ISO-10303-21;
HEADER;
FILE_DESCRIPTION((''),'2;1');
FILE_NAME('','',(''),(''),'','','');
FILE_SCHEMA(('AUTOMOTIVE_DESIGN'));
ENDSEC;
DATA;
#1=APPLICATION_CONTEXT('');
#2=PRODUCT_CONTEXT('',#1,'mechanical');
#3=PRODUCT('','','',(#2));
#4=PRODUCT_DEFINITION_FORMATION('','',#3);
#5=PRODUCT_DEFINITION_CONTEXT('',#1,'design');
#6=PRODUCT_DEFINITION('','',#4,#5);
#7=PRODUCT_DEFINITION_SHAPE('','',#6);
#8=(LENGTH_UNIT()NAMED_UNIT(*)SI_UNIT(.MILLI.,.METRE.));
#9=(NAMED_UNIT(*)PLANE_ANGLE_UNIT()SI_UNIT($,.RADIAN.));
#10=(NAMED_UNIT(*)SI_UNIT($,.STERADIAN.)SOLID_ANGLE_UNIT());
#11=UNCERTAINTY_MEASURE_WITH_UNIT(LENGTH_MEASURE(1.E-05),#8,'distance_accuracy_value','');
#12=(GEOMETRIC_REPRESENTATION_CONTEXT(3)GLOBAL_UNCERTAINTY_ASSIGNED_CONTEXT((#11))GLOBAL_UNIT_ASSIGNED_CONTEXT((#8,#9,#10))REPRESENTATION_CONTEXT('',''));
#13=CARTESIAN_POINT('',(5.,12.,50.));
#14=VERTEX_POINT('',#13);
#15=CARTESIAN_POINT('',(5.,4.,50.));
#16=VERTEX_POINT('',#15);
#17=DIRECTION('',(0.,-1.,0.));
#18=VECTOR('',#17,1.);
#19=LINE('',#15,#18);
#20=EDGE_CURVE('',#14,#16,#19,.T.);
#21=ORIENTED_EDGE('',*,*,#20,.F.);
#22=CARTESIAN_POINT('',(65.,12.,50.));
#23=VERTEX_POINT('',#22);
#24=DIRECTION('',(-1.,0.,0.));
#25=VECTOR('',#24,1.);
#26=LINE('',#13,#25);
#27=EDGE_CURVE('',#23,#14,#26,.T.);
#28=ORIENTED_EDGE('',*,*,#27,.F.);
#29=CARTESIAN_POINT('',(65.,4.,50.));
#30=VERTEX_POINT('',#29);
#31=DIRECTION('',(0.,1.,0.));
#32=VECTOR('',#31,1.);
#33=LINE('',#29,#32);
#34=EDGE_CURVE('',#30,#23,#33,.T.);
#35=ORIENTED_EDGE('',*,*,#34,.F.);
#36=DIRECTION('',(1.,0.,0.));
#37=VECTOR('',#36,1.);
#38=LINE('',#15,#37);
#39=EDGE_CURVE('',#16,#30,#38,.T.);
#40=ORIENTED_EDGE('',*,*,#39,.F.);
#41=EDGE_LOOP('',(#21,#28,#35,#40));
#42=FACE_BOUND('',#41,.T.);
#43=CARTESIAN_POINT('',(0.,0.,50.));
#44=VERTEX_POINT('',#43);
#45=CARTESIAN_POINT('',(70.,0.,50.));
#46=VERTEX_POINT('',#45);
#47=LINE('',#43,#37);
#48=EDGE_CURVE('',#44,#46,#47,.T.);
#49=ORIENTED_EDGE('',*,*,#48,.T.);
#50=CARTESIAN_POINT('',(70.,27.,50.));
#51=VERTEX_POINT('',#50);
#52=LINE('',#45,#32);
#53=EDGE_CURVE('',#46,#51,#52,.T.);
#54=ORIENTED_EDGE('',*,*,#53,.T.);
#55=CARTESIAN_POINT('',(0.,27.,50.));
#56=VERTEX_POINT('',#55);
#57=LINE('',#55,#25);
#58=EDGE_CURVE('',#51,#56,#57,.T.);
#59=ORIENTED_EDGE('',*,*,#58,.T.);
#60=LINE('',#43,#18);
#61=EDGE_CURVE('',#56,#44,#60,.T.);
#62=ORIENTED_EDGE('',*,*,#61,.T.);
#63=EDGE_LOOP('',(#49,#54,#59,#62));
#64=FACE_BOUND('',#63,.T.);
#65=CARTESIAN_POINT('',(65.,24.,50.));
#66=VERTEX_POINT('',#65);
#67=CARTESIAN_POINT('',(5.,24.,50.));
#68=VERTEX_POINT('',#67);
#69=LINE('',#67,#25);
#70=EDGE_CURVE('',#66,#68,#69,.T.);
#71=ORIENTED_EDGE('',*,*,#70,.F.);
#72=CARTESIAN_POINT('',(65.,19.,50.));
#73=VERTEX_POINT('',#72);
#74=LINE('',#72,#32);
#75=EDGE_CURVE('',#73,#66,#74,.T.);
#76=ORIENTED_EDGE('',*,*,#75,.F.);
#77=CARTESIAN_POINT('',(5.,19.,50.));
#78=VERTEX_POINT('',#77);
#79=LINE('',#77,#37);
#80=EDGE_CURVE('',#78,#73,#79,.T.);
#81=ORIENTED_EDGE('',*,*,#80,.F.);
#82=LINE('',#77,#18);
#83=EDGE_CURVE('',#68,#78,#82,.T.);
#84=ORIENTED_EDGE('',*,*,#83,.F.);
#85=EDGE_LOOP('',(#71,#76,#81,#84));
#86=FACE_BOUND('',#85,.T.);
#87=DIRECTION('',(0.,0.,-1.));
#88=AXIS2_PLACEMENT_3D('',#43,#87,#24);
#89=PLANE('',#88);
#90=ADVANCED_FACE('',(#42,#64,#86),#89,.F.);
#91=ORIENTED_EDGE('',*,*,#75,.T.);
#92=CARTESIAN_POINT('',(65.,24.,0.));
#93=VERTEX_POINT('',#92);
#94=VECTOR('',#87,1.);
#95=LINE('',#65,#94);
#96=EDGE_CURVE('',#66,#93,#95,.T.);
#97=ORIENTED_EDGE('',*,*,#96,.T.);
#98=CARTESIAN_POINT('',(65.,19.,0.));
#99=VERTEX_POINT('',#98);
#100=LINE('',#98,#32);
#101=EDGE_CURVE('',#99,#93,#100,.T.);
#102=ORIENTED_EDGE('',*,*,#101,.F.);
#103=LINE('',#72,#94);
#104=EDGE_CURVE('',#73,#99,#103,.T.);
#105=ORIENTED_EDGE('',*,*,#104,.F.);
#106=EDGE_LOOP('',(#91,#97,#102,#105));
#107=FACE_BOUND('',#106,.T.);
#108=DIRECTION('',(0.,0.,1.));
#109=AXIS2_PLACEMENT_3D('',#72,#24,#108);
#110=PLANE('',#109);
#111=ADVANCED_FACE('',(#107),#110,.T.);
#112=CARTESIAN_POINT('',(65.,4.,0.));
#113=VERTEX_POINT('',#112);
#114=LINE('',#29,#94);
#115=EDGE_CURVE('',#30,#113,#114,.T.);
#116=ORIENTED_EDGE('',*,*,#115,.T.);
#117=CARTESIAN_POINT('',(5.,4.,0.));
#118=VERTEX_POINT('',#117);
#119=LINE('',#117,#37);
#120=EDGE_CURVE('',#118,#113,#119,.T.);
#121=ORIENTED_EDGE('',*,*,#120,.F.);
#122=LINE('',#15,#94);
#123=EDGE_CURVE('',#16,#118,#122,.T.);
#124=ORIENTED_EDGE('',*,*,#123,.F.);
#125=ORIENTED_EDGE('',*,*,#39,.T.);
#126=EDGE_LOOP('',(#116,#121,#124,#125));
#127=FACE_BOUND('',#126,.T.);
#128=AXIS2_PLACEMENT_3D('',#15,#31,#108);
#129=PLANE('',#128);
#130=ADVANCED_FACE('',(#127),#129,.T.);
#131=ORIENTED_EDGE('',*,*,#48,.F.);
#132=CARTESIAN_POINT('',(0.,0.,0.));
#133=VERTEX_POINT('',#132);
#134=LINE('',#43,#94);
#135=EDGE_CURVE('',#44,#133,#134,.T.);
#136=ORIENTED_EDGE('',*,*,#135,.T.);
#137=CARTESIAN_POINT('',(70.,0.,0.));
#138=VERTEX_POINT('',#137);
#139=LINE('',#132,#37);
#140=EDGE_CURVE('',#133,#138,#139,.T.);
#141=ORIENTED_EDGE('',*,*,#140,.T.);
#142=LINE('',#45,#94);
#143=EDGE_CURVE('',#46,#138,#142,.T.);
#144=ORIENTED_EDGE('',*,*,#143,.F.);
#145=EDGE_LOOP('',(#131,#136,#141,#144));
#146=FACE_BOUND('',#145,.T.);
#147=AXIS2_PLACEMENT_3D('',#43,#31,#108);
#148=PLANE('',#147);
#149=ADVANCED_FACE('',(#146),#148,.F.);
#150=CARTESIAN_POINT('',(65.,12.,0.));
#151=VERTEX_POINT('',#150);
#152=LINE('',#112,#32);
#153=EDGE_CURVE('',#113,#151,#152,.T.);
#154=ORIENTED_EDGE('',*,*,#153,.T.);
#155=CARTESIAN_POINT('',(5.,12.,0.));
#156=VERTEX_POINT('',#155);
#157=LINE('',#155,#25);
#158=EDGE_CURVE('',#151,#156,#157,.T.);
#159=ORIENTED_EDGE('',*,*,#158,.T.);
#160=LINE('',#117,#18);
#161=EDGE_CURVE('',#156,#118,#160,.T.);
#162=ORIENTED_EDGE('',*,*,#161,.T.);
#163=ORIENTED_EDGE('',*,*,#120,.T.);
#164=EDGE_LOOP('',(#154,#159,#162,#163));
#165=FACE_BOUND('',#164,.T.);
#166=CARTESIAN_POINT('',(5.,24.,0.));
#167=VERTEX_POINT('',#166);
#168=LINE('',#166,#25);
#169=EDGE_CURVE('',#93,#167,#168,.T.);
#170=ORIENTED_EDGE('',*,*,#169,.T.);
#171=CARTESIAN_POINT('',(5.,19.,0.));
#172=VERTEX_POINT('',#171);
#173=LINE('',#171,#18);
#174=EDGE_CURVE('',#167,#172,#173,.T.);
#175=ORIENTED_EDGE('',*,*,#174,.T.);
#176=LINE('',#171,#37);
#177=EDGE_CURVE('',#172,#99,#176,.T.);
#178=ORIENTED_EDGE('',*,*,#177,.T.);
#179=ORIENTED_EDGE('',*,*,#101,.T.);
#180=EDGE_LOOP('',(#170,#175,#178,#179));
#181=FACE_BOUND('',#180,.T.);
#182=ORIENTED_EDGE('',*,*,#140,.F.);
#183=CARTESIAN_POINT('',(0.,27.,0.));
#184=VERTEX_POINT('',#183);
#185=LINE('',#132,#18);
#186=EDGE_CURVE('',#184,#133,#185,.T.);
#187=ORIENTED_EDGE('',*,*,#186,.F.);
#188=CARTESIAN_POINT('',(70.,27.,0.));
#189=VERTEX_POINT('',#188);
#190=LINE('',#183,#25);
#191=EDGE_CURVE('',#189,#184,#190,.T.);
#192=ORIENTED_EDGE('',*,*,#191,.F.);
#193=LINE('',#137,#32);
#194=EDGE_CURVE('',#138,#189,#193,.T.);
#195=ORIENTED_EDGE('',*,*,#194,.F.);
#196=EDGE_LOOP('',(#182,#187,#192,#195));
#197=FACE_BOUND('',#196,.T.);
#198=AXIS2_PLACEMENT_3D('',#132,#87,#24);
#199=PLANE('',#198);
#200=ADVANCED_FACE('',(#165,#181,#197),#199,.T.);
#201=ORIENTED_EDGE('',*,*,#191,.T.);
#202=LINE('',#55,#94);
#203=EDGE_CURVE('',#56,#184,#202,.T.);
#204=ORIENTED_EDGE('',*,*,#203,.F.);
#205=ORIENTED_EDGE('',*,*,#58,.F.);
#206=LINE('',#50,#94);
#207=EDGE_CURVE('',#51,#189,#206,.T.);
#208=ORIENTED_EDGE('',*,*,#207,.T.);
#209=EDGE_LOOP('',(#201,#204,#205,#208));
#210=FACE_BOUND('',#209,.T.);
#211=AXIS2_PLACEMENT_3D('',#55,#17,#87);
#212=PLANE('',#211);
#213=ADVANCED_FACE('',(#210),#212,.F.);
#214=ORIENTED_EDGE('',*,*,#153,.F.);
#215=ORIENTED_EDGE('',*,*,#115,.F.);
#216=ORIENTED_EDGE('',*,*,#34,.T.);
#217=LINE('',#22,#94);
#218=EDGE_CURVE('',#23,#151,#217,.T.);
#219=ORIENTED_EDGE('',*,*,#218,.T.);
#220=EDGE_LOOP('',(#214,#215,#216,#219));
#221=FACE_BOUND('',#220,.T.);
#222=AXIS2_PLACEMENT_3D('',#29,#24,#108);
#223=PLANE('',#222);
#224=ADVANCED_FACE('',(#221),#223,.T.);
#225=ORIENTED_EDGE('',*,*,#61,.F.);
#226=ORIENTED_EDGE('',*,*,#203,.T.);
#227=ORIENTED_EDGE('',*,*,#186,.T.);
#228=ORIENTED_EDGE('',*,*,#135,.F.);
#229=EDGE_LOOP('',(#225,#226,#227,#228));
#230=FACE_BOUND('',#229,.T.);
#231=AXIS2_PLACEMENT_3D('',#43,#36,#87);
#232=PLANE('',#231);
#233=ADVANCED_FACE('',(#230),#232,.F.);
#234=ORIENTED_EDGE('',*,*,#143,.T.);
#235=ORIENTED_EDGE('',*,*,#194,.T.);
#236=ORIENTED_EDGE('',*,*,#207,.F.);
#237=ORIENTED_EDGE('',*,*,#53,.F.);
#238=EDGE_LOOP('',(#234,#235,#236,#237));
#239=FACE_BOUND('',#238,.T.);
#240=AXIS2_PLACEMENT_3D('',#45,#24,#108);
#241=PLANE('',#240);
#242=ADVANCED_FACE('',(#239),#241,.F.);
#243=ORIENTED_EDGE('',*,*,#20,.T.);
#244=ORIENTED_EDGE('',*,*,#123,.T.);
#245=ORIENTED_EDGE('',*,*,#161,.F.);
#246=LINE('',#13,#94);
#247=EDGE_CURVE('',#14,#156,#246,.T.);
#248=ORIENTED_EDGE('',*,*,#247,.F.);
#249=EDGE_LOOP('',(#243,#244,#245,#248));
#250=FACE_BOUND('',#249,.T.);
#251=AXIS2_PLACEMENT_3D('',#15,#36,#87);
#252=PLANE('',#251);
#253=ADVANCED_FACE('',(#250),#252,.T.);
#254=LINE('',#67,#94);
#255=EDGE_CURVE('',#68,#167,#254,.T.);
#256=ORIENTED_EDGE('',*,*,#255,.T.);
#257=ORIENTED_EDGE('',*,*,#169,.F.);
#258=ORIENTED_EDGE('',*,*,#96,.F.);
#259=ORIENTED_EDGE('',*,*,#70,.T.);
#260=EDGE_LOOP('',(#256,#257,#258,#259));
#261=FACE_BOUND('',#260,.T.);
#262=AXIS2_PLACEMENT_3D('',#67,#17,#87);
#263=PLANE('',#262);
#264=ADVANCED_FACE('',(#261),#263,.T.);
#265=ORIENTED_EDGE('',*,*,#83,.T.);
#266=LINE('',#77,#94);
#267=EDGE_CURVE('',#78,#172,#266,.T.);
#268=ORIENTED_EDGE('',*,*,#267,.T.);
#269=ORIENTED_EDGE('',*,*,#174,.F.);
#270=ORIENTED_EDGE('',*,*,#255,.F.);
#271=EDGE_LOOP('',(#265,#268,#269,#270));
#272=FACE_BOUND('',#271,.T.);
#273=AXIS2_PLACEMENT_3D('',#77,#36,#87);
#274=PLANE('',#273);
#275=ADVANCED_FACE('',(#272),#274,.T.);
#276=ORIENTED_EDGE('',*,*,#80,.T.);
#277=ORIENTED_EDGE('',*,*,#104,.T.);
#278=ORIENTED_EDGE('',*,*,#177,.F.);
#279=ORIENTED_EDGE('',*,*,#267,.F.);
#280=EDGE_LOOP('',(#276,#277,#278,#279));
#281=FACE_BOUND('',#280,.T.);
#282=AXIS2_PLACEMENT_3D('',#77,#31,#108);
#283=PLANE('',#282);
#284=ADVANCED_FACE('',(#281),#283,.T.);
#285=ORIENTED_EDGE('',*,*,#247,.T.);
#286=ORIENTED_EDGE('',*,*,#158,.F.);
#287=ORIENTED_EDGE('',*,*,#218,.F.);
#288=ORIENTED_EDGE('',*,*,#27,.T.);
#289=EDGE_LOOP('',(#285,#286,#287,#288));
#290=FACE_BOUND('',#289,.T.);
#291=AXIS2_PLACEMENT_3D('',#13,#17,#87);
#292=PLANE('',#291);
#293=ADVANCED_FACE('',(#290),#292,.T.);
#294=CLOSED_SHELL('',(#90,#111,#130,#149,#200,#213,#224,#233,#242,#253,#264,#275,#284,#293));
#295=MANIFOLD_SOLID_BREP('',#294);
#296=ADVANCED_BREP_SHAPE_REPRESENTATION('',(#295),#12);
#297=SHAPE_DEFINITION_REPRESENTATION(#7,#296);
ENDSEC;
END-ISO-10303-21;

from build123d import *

# Parameters (mm, degrees)
SKETCH2_W           = 70
SKETCH2_H           = 27
SKETCH2_W_2         = 60
SKETCH2_H_2         = 8
SKETCH2_H_3         = 5
BOSS_EXTRUDE1_DEPTH = 50


with BuildPart() as part:
    # Sketch2 → Boss-Extrude1 (new body)
    with BuildSketch(Plane.XY):
        with Locations((35, 13.5)):
            Rectangle(SKETCH2_W, SKETCH2_H)
        with Locations((35, 8)):
            Rectangle(SKETCH2_W_2, SKETCH2_H_2, mode=Mode.SUBTRACT)
        with Locations((35, 21.5)):
            Rectangle(SKETCH2_W_2, SKETCH2_H_3, mode=Mode.SUBTRACT)
    extrude(amount=BOSS_EXTRUDE1_DEPTH)


solid = part.part
